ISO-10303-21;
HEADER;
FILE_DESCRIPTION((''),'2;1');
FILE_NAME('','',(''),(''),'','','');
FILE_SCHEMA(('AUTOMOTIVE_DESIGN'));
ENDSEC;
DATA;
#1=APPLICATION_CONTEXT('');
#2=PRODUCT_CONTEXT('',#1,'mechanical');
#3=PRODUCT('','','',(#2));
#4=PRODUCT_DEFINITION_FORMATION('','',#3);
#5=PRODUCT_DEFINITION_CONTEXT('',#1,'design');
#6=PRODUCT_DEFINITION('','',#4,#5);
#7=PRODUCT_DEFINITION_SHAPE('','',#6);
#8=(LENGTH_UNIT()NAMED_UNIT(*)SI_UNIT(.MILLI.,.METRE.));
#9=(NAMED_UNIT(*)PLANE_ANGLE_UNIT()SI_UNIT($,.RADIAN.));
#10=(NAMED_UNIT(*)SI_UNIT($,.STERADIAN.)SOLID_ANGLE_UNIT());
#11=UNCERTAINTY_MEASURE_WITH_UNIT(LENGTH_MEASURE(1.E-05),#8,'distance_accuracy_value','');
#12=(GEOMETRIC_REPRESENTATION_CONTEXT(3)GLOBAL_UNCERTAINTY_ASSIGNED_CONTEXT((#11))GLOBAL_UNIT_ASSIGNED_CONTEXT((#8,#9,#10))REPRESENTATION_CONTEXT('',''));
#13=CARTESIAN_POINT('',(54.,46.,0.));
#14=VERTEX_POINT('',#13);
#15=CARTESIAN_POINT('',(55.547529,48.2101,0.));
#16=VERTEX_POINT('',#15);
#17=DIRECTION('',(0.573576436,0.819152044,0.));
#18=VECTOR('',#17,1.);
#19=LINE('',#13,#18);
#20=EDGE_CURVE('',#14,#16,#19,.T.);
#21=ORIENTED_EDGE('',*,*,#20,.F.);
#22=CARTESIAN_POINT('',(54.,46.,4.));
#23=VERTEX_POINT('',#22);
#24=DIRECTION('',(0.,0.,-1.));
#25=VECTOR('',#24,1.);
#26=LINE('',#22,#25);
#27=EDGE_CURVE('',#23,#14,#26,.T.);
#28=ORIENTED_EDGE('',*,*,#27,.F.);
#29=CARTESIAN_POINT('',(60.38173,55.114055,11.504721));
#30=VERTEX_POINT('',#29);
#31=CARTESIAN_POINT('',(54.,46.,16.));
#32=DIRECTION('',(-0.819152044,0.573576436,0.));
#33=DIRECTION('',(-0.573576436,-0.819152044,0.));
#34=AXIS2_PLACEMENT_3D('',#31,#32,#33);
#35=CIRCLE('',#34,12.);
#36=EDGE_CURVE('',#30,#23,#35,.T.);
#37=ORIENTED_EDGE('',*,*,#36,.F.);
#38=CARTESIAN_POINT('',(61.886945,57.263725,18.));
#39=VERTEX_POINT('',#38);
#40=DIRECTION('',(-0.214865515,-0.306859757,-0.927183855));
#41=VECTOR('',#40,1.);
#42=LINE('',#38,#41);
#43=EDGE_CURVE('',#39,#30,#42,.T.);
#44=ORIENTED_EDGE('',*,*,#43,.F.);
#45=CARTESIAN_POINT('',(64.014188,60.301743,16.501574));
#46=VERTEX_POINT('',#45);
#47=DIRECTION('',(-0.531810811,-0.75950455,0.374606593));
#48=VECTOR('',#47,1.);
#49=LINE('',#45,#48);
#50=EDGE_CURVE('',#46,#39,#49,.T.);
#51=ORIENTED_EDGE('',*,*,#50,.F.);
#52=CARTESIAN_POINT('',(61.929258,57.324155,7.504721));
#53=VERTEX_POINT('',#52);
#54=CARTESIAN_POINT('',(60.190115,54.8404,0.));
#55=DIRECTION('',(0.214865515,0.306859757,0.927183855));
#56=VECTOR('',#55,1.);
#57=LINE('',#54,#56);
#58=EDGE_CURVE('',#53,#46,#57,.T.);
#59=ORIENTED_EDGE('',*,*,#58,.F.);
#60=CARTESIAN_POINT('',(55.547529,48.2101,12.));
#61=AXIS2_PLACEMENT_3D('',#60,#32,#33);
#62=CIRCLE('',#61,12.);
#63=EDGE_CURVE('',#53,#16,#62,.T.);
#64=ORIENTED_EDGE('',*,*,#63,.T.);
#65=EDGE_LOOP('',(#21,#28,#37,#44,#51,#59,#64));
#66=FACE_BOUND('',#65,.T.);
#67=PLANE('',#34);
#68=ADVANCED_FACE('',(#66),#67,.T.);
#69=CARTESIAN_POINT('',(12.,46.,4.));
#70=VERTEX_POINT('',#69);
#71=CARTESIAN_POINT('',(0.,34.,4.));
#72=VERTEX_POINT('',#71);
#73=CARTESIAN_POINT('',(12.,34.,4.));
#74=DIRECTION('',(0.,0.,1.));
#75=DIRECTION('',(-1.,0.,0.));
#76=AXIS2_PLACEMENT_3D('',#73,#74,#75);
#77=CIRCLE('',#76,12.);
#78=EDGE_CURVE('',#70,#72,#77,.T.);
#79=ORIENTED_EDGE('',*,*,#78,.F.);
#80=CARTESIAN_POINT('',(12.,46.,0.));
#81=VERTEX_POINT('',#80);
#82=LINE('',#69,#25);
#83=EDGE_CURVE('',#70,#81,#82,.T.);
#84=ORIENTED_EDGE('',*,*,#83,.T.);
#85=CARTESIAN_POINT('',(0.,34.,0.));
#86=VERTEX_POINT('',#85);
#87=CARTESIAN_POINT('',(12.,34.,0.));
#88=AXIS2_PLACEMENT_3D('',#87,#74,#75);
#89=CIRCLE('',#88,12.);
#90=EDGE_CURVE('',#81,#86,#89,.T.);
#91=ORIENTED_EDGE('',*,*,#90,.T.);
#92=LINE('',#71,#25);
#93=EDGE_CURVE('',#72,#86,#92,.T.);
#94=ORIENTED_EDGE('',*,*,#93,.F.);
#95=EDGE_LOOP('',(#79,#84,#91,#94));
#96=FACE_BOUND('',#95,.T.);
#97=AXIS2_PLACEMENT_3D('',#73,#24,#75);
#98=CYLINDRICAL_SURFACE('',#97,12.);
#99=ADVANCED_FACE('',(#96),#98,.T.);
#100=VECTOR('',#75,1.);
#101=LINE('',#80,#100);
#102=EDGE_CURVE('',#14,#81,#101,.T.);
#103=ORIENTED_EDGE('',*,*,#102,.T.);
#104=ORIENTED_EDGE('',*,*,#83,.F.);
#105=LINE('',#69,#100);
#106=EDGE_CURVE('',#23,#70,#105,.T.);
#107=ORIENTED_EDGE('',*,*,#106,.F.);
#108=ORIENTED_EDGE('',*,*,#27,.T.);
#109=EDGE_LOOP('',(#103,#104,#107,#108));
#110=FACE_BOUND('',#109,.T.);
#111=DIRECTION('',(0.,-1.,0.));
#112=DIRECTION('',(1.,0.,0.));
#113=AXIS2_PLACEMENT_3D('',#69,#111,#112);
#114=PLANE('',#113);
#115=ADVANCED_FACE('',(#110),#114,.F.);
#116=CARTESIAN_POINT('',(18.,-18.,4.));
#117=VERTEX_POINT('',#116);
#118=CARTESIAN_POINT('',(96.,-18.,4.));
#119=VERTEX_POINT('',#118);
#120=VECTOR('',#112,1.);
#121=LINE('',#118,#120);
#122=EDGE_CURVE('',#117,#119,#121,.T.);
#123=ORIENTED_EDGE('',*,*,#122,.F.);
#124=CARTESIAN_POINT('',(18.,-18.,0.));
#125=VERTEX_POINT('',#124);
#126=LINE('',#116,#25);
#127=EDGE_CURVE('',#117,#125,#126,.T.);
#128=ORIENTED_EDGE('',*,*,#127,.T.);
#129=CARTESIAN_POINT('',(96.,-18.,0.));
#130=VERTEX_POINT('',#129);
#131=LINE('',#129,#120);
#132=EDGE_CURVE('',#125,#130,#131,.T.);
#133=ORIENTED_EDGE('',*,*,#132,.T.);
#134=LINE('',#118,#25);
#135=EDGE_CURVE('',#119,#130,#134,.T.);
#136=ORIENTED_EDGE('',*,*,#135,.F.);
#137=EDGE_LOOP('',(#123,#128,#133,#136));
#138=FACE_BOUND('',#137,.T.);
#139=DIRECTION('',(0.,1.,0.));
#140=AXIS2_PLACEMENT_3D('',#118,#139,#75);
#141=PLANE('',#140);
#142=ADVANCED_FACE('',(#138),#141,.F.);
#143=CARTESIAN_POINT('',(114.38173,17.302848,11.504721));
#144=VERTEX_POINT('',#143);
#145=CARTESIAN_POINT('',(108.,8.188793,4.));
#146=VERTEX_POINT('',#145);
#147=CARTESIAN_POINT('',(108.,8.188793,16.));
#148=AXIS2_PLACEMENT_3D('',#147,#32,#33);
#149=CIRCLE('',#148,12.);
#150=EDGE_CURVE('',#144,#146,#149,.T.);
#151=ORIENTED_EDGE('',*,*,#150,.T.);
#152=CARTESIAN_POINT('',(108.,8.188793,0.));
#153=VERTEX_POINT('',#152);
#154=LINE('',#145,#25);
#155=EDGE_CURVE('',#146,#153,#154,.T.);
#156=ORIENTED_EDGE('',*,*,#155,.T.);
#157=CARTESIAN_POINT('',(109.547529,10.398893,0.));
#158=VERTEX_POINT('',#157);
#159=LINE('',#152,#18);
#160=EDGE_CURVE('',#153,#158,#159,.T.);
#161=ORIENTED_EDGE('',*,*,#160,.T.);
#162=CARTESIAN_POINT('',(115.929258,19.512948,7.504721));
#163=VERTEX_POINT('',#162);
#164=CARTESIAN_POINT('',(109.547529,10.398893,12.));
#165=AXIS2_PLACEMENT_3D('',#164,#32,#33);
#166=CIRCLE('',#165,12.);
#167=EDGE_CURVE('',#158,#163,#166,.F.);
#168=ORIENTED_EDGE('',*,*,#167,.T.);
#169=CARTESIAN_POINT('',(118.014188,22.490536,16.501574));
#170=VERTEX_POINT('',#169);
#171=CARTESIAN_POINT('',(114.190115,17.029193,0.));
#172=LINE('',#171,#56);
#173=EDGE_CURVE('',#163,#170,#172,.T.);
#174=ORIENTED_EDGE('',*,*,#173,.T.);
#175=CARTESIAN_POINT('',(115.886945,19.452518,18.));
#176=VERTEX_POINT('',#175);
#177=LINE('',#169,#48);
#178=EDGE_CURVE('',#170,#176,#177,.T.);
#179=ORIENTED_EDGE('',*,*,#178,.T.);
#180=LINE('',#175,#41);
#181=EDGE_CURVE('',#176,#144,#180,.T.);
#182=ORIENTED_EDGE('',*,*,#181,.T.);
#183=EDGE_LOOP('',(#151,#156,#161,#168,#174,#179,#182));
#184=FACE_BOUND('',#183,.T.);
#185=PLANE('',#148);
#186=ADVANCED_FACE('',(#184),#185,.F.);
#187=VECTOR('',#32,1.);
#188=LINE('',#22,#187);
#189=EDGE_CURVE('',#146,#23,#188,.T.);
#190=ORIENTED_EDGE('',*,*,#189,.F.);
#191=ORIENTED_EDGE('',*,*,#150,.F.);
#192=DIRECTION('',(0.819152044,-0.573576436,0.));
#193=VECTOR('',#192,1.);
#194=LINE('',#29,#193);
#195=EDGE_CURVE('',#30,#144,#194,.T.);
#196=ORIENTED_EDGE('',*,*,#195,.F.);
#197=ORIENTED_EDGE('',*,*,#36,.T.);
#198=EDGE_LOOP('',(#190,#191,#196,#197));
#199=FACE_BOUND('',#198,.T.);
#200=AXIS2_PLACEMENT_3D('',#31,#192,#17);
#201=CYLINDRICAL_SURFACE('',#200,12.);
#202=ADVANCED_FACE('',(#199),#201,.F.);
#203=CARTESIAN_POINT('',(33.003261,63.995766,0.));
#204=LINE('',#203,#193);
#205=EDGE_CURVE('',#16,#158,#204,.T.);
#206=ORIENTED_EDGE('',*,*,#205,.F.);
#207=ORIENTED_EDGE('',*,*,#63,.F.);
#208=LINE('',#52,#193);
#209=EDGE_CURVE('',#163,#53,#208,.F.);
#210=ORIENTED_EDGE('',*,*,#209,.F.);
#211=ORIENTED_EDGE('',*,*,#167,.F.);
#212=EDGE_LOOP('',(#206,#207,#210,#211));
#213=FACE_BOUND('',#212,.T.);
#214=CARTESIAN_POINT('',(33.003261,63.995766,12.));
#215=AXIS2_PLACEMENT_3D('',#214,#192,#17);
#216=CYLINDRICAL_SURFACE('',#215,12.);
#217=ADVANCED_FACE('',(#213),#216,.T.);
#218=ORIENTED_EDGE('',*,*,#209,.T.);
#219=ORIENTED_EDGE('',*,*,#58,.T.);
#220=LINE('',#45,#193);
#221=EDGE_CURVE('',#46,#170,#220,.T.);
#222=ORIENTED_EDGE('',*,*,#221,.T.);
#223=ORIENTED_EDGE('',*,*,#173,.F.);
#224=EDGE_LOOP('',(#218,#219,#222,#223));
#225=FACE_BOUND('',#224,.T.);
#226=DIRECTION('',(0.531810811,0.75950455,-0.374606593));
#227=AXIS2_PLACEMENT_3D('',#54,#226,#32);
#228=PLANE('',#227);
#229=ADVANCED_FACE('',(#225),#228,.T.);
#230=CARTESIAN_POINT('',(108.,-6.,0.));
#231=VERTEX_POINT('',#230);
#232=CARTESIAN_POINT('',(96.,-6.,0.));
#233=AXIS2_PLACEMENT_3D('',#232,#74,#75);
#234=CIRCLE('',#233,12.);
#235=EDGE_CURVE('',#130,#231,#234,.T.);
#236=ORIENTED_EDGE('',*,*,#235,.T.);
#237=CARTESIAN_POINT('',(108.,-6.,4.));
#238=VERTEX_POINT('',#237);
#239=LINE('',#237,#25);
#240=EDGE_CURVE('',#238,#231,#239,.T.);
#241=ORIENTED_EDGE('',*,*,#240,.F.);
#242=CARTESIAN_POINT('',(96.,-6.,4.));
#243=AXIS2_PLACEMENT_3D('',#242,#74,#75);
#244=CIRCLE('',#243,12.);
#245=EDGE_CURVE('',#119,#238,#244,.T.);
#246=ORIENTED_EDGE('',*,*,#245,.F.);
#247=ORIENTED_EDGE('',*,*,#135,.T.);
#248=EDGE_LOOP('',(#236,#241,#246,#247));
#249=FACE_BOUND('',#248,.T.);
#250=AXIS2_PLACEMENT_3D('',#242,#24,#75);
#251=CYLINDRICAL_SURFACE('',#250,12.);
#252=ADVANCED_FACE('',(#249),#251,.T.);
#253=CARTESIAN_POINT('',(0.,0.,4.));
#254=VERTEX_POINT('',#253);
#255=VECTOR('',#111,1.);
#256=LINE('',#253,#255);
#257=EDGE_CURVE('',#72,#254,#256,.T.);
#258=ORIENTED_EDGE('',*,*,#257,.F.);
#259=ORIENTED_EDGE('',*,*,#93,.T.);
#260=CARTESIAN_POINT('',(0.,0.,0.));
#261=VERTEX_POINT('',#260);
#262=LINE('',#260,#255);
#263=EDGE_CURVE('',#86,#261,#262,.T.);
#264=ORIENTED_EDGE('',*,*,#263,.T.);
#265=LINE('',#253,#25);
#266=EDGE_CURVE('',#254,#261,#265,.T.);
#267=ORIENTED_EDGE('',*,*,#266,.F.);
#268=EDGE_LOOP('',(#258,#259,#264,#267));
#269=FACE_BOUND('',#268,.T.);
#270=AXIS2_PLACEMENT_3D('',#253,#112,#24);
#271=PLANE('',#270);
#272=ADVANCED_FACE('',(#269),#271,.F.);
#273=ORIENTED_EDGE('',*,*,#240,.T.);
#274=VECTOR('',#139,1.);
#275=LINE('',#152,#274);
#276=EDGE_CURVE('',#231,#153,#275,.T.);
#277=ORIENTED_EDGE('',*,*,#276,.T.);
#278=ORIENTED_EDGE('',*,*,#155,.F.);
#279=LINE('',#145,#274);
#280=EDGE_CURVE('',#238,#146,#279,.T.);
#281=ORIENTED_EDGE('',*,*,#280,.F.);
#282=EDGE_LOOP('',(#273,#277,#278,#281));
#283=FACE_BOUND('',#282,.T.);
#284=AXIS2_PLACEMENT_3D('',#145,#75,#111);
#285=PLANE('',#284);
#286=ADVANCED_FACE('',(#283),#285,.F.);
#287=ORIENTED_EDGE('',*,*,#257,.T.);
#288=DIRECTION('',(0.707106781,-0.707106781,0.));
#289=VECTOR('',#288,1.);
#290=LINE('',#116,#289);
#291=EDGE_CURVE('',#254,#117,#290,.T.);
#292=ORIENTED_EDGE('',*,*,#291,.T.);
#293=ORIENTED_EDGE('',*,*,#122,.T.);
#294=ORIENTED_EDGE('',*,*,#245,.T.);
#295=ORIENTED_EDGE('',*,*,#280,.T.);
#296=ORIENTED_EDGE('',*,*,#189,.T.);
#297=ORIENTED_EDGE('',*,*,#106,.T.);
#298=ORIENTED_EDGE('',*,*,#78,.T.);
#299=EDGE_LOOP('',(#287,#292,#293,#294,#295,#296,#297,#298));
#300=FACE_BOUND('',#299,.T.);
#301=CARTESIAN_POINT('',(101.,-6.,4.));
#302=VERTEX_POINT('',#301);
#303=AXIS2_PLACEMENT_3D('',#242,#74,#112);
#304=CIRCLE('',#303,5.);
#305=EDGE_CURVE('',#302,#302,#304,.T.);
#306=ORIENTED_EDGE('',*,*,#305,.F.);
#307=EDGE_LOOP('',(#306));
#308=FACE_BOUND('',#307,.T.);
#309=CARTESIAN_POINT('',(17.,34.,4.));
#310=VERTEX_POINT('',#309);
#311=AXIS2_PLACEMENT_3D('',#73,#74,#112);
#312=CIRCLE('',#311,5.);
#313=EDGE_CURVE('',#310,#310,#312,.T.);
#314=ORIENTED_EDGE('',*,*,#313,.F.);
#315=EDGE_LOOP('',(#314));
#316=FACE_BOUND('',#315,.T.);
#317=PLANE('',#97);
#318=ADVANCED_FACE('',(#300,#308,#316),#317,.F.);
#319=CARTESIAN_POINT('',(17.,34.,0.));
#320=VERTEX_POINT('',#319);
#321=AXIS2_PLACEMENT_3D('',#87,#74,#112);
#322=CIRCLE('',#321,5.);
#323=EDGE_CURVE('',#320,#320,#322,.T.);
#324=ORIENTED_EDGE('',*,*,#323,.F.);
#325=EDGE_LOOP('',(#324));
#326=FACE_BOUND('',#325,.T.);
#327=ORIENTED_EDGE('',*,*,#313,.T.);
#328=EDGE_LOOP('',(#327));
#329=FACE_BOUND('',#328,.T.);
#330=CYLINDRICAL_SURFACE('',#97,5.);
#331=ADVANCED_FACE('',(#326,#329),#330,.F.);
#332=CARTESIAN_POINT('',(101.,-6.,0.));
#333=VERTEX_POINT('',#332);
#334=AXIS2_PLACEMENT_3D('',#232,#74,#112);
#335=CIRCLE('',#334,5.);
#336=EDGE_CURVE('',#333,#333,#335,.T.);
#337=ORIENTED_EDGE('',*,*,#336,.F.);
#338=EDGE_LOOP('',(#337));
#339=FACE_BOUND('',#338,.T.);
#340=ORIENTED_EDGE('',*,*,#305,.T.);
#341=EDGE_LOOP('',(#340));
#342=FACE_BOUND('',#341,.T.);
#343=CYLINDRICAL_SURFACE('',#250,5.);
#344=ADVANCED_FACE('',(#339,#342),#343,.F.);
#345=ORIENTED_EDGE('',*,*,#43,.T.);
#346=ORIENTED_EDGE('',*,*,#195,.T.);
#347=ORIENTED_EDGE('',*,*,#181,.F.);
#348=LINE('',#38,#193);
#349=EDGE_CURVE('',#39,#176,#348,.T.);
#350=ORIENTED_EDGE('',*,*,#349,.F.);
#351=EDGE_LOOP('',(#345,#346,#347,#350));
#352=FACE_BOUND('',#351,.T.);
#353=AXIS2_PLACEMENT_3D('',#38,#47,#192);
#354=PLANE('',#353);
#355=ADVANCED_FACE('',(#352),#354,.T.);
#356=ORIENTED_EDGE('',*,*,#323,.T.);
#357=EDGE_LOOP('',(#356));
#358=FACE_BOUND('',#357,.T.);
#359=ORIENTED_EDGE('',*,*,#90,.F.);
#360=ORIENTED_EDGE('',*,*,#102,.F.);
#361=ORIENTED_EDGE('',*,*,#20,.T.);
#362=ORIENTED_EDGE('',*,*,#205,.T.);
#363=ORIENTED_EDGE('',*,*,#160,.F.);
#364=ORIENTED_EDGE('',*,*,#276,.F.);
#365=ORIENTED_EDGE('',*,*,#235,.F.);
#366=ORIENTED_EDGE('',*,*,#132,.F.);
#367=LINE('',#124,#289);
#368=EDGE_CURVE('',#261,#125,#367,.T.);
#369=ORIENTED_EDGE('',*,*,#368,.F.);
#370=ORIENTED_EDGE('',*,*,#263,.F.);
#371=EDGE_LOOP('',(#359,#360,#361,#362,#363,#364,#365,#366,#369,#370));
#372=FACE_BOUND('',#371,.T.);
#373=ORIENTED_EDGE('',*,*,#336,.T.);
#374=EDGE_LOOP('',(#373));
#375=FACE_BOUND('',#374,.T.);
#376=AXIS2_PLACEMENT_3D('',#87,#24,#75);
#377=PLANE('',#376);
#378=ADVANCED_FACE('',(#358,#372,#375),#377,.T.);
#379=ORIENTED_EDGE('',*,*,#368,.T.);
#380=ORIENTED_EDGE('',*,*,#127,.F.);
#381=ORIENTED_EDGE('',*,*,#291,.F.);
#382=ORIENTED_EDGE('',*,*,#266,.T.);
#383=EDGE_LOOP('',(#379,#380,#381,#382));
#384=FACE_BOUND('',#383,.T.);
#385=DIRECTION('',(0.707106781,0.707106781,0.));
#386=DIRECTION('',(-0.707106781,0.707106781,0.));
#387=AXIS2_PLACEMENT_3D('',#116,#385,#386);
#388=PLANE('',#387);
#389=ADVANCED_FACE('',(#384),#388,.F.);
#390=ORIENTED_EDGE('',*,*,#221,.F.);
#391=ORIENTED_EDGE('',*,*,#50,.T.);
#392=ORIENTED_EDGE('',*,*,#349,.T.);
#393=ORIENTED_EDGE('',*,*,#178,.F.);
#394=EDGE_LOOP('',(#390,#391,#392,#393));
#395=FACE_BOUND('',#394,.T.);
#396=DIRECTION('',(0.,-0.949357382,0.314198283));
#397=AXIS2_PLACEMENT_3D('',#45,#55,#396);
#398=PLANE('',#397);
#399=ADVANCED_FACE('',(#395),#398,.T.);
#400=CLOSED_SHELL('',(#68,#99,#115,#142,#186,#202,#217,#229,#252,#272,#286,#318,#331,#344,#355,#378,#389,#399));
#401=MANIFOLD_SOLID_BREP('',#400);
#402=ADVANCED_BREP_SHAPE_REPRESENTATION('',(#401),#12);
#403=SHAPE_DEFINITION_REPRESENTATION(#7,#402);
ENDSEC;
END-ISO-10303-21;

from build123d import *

# Parameters (mm, degrees)
SKETCH1_R           = 5
BOSS_EXTRUDE1_DEPTH = 4
BOSS_EXTRUDE2_START = -65.921828
BOSS_EXTRUDE2_DEPTH = 65.921828
FILLET1_R           = 12


with BuildPart() as part:
    # Sketch1 → Boss-Extrude1 (new body)
    with BuildSketch(Plane.XY):
        with BuildLine():
            Line((0, 0), (0, 34))
            ThreePointArc((0, 34), (3.514718626, 42.485281374), (12, 46))
            Line((12, 46), (54, 46))
            Line((54, 46), (108, 8.188792937))
            Line((108, 8.188792937), (108, -6))
            ThreePointArc((108, -6), (104.485281374, -14.485281374), (96, -18))
            Line((96, -18), (18, -18))
            Line((18, -18), (0, 0))
        make_face()
        with Locations((12, 34)):
            Circle(SKETCH1_R, mode=Mode.SUBTRACT)
        with Locations((96, -6)):
            Circle(SKETCH1_R, mode=Mode.SUBTRACT)
    extrude(amount=BOSS_EXTRUDE1_DEPTH)

    # Sketch5 → Boss-Extrude2 (add)
    with BuildSketch(Plane(origin=(68.621613592, -48.049371121, 0), x_dir=(0, 0, -1), z_dir=(0.819152044288997, -0.5735764363510386, 0)).offset(BOSS_EXTRUDE2_START)):
        with BuildLine():
            Line((-4, 68.6541216), (0, 68.6541216))
            Line((0, 68.6541216), (0, 79.44625787))
            Line((0, 79.44625787), (-16.501573626, 86.113326382))
            Line((-16.501573626, 86.113326382), (-18, 82.404590964))
            Line((-18, 82.404590964), (-11.504720879, 79.780327855))
            ThreePointArc((-11.504720879, 79.780327855), (-6.051549129, 75.364436442), (-4, 68.6541216))
        make_face()
    extrude(amount=BOSS_EXTRUDE2_DEPTH)

    # Fillet1
    fillet1_edges = [part.edges().sort_by_distance(p)[0] for p in [
        (87.190114977, 35.934797015, 0),
    ]]
    fillet(fillet1_edges, radius=FILLET1_R)


solid = part.part
